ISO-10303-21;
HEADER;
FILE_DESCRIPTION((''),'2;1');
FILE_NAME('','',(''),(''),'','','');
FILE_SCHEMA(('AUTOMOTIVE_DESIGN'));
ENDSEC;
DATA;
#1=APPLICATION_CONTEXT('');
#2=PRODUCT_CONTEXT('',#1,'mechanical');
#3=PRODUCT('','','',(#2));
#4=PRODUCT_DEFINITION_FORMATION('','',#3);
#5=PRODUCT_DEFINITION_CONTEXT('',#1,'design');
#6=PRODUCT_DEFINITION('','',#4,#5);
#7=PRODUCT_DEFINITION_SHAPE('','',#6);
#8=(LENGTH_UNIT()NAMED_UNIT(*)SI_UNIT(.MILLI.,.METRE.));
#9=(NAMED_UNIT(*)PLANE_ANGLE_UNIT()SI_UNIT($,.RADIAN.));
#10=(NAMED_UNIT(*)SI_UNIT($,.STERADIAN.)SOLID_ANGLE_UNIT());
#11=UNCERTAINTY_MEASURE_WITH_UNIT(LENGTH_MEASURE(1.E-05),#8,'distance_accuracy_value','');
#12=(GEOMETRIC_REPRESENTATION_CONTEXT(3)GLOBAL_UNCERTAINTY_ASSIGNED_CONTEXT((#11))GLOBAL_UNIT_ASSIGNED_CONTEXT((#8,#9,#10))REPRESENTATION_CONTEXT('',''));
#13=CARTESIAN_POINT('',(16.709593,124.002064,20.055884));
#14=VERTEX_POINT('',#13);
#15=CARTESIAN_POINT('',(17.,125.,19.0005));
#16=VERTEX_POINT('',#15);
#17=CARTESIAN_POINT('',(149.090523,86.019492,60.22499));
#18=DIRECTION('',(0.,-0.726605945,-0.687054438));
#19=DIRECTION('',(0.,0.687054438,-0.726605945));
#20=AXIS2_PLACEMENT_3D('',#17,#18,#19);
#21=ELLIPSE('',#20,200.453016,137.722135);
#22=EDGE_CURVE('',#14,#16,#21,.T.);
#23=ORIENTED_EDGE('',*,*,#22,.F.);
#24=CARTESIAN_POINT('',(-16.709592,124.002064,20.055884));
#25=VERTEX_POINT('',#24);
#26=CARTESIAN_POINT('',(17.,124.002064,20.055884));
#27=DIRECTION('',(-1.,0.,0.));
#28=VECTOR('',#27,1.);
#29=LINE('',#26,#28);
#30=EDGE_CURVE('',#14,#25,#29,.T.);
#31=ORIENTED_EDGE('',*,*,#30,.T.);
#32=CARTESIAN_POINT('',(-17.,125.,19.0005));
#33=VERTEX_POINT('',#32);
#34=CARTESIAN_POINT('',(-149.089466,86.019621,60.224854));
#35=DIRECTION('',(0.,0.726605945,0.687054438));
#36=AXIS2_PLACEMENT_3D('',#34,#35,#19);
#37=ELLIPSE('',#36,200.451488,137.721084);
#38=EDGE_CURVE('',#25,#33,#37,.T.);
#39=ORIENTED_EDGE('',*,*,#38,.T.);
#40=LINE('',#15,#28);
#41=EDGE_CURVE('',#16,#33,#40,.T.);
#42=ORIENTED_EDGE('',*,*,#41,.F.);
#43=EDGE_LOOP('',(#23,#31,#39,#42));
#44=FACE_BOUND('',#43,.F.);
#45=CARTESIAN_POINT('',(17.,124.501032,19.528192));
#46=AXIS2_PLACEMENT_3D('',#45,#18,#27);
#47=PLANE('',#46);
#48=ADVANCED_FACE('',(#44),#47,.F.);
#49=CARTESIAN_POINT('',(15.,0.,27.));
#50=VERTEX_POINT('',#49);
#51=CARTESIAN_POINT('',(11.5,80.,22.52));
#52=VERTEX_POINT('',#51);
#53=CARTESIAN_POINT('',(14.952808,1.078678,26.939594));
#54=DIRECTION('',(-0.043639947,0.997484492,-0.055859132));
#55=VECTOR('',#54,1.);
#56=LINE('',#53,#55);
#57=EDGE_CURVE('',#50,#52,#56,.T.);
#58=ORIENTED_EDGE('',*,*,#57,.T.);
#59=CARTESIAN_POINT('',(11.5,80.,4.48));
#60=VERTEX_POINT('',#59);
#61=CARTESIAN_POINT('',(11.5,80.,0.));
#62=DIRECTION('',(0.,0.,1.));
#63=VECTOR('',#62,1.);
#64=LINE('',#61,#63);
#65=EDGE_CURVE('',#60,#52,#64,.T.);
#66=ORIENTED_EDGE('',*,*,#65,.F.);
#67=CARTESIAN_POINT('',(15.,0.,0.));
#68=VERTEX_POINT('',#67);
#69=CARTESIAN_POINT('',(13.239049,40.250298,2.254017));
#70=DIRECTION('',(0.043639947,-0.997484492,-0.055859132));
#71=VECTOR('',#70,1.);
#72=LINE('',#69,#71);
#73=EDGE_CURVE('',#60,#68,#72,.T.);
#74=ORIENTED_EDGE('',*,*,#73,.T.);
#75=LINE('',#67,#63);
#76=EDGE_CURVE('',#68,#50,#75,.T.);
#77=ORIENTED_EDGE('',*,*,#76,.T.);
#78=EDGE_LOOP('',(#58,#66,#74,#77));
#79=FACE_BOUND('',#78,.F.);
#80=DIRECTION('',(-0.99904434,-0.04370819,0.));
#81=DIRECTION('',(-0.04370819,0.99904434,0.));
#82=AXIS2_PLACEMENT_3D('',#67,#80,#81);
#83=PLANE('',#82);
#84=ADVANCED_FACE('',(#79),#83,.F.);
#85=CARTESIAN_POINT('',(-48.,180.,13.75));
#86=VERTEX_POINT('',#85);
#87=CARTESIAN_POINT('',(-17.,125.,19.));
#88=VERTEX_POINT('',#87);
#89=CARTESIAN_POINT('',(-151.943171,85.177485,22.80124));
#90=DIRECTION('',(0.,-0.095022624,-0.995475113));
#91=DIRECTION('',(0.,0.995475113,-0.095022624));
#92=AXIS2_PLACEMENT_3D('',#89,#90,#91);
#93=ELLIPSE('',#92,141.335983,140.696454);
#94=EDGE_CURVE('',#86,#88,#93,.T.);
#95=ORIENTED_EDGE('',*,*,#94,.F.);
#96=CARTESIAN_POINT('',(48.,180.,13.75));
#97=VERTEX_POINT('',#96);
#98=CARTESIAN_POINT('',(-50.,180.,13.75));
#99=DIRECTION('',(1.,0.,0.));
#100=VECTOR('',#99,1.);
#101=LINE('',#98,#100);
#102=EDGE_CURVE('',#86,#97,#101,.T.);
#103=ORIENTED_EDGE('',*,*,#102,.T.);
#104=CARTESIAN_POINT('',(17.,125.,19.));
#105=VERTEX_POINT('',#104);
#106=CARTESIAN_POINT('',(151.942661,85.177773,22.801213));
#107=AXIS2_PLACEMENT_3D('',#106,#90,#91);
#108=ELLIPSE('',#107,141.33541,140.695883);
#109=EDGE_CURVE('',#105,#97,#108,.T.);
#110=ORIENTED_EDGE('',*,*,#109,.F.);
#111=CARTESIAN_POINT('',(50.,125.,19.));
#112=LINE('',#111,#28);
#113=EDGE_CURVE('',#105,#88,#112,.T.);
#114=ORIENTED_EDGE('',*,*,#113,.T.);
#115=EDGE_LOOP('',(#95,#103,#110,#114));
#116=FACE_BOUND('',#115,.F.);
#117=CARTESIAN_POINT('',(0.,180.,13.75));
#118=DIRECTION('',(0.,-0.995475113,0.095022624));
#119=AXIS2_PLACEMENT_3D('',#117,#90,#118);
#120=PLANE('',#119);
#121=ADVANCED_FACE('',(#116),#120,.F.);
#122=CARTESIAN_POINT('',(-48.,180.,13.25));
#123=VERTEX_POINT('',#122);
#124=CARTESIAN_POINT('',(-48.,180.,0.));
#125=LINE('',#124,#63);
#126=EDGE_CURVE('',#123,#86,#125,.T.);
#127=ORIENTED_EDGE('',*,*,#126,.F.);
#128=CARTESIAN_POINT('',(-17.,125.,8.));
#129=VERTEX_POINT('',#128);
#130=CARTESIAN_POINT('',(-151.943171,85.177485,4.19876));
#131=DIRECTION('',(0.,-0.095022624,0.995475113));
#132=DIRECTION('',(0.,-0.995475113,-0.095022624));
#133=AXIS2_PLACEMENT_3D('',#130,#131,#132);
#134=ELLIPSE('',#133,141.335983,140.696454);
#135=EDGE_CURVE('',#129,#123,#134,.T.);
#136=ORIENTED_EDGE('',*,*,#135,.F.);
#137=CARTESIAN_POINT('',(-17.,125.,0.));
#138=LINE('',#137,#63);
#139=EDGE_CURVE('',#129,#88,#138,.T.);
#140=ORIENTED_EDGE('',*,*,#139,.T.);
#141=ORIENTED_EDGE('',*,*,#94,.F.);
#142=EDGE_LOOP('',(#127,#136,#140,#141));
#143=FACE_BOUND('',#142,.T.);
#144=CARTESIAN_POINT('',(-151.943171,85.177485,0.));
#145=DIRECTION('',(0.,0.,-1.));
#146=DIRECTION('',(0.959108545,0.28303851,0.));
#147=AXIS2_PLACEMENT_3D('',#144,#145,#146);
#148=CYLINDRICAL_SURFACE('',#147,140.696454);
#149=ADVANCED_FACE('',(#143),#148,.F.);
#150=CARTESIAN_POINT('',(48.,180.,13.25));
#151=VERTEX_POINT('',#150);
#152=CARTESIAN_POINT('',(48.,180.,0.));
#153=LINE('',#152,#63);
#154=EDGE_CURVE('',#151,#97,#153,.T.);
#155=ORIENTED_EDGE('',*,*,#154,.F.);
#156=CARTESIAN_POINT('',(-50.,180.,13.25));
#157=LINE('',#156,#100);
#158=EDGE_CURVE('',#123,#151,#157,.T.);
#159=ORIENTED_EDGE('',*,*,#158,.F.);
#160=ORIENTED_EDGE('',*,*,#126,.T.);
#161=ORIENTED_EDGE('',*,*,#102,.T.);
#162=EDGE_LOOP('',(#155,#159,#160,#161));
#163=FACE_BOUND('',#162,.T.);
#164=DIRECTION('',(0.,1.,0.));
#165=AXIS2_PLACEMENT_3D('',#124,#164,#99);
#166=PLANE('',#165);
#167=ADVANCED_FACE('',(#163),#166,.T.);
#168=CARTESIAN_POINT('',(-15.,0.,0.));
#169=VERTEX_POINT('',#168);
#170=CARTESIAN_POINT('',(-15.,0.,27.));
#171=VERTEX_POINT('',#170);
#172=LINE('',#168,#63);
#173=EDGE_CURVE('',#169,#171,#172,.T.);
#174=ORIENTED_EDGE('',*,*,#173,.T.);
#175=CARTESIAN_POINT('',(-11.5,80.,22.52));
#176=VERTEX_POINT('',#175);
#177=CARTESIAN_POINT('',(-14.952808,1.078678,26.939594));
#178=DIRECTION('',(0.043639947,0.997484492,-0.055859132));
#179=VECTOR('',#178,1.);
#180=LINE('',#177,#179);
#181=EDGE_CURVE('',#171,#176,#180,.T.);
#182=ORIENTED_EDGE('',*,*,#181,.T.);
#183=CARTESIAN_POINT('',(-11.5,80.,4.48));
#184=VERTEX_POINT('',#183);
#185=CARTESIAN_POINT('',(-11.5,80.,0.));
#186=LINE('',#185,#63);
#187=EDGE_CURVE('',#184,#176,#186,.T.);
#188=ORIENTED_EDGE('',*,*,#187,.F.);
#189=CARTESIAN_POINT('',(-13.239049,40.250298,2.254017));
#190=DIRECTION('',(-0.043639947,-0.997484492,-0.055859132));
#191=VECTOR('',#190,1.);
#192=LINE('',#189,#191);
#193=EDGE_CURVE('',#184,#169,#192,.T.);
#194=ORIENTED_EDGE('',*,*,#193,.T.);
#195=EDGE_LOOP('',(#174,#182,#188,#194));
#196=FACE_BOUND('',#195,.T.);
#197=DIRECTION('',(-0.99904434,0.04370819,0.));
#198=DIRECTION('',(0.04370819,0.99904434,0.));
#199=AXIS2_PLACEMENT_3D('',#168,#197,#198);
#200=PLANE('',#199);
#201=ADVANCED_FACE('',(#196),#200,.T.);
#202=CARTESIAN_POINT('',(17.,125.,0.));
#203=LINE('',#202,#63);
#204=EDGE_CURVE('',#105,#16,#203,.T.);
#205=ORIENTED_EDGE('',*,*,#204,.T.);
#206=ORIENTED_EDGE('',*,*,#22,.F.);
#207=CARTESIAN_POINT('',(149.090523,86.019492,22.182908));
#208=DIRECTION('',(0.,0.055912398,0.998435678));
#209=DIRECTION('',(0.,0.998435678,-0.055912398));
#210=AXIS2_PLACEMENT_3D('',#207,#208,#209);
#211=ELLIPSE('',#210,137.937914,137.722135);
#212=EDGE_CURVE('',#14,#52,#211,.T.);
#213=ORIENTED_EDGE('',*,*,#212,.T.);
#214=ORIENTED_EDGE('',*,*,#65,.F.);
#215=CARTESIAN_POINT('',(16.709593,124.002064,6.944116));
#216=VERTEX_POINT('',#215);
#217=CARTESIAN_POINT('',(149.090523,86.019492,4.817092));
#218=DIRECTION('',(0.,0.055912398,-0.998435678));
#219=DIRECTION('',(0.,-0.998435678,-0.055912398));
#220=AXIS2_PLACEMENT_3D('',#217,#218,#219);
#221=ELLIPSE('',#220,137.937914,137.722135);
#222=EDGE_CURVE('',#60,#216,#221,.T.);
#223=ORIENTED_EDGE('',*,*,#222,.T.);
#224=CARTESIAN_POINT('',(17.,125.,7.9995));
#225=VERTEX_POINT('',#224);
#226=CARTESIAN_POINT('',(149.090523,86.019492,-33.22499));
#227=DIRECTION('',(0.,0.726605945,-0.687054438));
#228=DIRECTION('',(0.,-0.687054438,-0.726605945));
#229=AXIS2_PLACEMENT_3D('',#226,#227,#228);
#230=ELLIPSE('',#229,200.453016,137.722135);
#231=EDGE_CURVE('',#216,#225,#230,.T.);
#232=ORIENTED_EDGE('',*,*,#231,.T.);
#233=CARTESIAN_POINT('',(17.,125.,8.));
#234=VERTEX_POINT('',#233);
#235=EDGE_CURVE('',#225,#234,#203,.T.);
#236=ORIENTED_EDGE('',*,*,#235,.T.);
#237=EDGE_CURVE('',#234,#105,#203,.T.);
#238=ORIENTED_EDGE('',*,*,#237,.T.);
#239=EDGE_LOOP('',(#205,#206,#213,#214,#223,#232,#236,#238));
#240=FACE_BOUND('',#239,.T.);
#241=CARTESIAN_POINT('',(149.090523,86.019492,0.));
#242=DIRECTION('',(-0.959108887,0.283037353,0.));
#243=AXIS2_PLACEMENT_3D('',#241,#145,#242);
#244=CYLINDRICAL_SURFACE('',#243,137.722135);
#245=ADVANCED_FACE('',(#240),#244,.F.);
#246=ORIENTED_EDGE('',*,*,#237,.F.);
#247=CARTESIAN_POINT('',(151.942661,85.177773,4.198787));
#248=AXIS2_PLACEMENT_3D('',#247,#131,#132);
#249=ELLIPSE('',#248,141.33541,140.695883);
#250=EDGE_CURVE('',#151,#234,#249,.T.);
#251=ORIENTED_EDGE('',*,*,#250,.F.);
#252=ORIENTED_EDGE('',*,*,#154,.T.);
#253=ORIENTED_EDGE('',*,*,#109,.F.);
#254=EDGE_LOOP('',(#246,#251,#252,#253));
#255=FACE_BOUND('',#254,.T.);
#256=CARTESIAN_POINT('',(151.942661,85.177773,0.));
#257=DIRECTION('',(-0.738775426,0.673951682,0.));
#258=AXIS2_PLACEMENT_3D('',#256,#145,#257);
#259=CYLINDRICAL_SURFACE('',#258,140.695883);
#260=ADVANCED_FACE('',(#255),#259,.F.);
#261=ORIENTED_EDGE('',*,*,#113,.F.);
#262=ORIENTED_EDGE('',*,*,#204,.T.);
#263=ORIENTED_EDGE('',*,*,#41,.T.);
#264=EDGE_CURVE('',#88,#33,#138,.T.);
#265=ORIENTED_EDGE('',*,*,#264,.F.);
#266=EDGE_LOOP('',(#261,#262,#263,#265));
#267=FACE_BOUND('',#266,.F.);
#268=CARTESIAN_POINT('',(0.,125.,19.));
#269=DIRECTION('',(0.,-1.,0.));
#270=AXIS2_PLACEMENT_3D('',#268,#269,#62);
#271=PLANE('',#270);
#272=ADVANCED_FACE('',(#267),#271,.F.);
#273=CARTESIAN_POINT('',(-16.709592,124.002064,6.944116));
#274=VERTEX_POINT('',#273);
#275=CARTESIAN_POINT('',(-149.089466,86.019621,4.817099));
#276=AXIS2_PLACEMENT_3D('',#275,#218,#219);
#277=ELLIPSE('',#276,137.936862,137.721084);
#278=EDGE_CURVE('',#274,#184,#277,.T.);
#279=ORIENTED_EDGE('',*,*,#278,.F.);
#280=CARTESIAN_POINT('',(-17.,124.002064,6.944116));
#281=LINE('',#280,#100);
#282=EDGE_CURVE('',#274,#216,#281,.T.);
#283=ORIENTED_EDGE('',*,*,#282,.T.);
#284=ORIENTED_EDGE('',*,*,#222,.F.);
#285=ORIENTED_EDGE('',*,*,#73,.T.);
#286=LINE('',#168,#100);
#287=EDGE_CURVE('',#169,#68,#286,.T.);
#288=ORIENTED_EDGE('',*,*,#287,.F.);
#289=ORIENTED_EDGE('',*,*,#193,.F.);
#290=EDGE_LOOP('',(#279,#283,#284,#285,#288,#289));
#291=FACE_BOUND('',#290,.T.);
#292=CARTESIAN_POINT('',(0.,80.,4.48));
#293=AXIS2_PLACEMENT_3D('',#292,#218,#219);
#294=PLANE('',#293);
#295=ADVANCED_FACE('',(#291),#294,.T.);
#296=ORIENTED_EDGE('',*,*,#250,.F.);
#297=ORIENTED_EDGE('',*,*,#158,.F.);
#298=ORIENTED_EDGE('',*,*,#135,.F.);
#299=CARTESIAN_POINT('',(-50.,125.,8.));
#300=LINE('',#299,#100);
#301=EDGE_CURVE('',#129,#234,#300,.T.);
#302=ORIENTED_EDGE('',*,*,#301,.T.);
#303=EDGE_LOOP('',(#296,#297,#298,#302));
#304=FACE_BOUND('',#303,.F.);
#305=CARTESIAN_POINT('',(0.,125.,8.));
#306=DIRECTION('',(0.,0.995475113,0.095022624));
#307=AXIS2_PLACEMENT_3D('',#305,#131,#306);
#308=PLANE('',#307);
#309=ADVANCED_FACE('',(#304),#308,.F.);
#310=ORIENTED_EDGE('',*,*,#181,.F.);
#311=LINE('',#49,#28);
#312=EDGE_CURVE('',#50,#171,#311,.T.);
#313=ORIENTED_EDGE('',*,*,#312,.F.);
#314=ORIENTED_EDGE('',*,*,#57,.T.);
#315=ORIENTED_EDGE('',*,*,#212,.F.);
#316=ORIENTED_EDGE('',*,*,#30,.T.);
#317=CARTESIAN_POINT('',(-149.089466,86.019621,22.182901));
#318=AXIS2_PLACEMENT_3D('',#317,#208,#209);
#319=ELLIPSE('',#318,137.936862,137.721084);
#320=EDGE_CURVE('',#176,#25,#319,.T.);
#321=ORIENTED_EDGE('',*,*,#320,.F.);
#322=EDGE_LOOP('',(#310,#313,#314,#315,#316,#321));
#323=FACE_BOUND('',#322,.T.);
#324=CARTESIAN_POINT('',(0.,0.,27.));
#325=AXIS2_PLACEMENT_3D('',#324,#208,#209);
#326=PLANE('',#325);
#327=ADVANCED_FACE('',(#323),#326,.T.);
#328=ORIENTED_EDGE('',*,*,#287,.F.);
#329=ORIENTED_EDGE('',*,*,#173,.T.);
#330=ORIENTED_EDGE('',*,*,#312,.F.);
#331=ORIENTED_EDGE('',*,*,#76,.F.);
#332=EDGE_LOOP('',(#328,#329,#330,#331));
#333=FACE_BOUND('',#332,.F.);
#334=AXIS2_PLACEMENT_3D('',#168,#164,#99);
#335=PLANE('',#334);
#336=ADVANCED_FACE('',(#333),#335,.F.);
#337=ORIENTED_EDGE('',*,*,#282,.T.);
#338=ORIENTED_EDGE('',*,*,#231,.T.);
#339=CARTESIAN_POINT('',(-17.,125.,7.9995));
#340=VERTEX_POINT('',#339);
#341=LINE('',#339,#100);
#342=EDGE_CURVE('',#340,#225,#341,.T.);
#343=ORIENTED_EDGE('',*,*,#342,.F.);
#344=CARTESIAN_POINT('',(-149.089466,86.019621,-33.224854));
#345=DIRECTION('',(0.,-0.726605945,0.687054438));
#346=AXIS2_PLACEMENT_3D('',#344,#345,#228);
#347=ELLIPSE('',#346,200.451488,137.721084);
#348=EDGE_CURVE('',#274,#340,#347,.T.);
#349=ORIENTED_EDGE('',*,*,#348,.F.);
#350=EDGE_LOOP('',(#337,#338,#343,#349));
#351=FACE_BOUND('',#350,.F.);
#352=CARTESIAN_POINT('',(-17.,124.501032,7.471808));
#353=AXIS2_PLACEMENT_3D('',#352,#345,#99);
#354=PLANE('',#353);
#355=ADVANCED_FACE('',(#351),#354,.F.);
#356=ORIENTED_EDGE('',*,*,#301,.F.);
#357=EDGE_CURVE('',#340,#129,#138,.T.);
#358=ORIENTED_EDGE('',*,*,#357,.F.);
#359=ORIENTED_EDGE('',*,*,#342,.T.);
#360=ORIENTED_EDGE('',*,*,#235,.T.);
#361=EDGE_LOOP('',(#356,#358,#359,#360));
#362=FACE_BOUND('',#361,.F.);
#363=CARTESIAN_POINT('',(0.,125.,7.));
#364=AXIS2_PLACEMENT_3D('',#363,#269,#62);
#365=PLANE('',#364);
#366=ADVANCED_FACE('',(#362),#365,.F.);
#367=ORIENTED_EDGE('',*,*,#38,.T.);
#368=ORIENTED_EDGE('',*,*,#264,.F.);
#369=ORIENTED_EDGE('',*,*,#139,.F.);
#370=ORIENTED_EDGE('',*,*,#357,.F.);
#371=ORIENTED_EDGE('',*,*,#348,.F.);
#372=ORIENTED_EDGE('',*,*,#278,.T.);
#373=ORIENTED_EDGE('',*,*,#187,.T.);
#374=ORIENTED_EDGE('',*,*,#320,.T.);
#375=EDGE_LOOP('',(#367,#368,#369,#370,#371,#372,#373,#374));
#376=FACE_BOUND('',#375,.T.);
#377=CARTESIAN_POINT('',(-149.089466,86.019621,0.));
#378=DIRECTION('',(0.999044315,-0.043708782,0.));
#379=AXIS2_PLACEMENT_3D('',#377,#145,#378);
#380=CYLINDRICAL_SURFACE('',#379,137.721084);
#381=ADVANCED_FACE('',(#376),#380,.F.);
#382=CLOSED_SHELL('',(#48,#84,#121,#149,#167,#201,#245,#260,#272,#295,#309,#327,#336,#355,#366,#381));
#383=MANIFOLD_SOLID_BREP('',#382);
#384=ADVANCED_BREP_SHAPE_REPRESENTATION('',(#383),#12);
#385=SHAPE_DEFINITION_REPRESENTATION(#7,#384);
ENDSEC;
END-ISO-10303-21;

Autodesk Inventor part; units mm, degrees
ref_plane "YZ Plane" through (0, 0, 0) normal (1, 0, 0) x (0, 1, 0)
ref_plane "XZ Plane" through (0, 0, 0) normal (0, 1, 0) x (-1, 0, 0)
ref_plane "XY Plane" through (0, 0, 0) normal (0, 0, 1) x (1, 0, 0)
sketch "Эскиз1" plane through (0, 0, 0) normal (0, 0, 1) x (1, 0, 0)
  line L0 (-15, 0) -> (15, 0)
  line L1 (0, 120) -> (0, 125)
  line L2 (0, 125) -> (0, 180)
  line L3 (-48, 180) -> (48, 180)
  line L4 (-17, 125) -> (17, 125)
  line L5 (-15, 120) -> (15, 120)
  line L6 (0, 0) -> (0, 80)
  line L7 (0, 80) -> (0, 120)
  line L8 (-11.5, 80) -> (11.5, 80)
  line L9 (15, 0) -> (11.5, 80)
  line L10 (-15, 0) -> (-11.5, 80)
  arc A0 (17, 125) -> (11.5, 80) centre (149.09, 86.0196) ccw
  arc A1 (48, 180) -> (17, 125) centre (151.9429, 85.1776) ccw
  arc A2 (-11.5, 80) -> (-17, 125) centre (-149.09, 86.0196) ccw
  arc A3 (-17, 125) -> (-48, 180) centre (-151.9429, 85.1776) ccw
  dimension "d0" = 30
  dimension "d2" = 5
  dimension "d3" = 55
  dimension "d4" = 96
  dimension "d5" = 34
  dimension "d6" = 30
  dimension "d7" = 80
  dimension "d8" = 40
  dimension "d9" = 23
extrude "Выдавливание1" add sketch "Эскиз1" along normal blind 27
sketch "Эскиз2" plane through (0, 0, 0) normal (1, 0, 0) x (0, 1, 0)
  line L0 (80, 0) -> (0, 0) projected
  line L1 (0, 0) -> (0, 27) projected
  line L2 (80, 27) -> (0, 27) projected
  line L3 (80, 0) -> (80, 27) projected
  line L4 (125, 0) -> (80, 0) projected
  line L5 (80, 0) -> (80, 27) projected
  line L6 (125, 27) -> (80, 27) projected
  line L7 (125, 0) -> (125, 27) projected
  line L8 (180, 0) -> (125, 0) projected
  line L9 (125, 0) -> (125, 27) projected
  line L10 (180, 27) -> (125, 27) projected
  line L11 (180, 0) -> (180, 27) projected
  line L12 (125, 7) -> (125, 20)
  line L13 (125, 0) -> (125, 27) projected
  line L14 (125, 7) -> (0, 0)
  line L15 (0, 27) -> (125, 20)
  line L16 (125, 8) -> (125, 19)
  line L17 (180, 13.25) -> (180, 13.75)
  line L18 (180, 0) -> (180, 27) projected
  line L19 (125, 8) -> (180, 13.25)
  line L20 (180, 13.75) -> (125, 19)
  point P0 (125, 13.5)
  point P1 (125, 13.5)
  point P2 (180, 13.5)
  dimension "d12" = 13
  dimension "d13" = 11
  dimension "d14" = 0.5
extrude "Выдавливание2" cut sketch "Эскиз2" along normal mid plane 100 contours L1 L15 L3 L14 | L3 L15 L7 L14 | L7 L20 L11 L19 keep common part
chamfer "Фаска1" distance 1 angle 45 2 edges at (0, 125, 7) (0, 125, 20)
equation "\"d6\" = d0"
properties part number "bachi"
